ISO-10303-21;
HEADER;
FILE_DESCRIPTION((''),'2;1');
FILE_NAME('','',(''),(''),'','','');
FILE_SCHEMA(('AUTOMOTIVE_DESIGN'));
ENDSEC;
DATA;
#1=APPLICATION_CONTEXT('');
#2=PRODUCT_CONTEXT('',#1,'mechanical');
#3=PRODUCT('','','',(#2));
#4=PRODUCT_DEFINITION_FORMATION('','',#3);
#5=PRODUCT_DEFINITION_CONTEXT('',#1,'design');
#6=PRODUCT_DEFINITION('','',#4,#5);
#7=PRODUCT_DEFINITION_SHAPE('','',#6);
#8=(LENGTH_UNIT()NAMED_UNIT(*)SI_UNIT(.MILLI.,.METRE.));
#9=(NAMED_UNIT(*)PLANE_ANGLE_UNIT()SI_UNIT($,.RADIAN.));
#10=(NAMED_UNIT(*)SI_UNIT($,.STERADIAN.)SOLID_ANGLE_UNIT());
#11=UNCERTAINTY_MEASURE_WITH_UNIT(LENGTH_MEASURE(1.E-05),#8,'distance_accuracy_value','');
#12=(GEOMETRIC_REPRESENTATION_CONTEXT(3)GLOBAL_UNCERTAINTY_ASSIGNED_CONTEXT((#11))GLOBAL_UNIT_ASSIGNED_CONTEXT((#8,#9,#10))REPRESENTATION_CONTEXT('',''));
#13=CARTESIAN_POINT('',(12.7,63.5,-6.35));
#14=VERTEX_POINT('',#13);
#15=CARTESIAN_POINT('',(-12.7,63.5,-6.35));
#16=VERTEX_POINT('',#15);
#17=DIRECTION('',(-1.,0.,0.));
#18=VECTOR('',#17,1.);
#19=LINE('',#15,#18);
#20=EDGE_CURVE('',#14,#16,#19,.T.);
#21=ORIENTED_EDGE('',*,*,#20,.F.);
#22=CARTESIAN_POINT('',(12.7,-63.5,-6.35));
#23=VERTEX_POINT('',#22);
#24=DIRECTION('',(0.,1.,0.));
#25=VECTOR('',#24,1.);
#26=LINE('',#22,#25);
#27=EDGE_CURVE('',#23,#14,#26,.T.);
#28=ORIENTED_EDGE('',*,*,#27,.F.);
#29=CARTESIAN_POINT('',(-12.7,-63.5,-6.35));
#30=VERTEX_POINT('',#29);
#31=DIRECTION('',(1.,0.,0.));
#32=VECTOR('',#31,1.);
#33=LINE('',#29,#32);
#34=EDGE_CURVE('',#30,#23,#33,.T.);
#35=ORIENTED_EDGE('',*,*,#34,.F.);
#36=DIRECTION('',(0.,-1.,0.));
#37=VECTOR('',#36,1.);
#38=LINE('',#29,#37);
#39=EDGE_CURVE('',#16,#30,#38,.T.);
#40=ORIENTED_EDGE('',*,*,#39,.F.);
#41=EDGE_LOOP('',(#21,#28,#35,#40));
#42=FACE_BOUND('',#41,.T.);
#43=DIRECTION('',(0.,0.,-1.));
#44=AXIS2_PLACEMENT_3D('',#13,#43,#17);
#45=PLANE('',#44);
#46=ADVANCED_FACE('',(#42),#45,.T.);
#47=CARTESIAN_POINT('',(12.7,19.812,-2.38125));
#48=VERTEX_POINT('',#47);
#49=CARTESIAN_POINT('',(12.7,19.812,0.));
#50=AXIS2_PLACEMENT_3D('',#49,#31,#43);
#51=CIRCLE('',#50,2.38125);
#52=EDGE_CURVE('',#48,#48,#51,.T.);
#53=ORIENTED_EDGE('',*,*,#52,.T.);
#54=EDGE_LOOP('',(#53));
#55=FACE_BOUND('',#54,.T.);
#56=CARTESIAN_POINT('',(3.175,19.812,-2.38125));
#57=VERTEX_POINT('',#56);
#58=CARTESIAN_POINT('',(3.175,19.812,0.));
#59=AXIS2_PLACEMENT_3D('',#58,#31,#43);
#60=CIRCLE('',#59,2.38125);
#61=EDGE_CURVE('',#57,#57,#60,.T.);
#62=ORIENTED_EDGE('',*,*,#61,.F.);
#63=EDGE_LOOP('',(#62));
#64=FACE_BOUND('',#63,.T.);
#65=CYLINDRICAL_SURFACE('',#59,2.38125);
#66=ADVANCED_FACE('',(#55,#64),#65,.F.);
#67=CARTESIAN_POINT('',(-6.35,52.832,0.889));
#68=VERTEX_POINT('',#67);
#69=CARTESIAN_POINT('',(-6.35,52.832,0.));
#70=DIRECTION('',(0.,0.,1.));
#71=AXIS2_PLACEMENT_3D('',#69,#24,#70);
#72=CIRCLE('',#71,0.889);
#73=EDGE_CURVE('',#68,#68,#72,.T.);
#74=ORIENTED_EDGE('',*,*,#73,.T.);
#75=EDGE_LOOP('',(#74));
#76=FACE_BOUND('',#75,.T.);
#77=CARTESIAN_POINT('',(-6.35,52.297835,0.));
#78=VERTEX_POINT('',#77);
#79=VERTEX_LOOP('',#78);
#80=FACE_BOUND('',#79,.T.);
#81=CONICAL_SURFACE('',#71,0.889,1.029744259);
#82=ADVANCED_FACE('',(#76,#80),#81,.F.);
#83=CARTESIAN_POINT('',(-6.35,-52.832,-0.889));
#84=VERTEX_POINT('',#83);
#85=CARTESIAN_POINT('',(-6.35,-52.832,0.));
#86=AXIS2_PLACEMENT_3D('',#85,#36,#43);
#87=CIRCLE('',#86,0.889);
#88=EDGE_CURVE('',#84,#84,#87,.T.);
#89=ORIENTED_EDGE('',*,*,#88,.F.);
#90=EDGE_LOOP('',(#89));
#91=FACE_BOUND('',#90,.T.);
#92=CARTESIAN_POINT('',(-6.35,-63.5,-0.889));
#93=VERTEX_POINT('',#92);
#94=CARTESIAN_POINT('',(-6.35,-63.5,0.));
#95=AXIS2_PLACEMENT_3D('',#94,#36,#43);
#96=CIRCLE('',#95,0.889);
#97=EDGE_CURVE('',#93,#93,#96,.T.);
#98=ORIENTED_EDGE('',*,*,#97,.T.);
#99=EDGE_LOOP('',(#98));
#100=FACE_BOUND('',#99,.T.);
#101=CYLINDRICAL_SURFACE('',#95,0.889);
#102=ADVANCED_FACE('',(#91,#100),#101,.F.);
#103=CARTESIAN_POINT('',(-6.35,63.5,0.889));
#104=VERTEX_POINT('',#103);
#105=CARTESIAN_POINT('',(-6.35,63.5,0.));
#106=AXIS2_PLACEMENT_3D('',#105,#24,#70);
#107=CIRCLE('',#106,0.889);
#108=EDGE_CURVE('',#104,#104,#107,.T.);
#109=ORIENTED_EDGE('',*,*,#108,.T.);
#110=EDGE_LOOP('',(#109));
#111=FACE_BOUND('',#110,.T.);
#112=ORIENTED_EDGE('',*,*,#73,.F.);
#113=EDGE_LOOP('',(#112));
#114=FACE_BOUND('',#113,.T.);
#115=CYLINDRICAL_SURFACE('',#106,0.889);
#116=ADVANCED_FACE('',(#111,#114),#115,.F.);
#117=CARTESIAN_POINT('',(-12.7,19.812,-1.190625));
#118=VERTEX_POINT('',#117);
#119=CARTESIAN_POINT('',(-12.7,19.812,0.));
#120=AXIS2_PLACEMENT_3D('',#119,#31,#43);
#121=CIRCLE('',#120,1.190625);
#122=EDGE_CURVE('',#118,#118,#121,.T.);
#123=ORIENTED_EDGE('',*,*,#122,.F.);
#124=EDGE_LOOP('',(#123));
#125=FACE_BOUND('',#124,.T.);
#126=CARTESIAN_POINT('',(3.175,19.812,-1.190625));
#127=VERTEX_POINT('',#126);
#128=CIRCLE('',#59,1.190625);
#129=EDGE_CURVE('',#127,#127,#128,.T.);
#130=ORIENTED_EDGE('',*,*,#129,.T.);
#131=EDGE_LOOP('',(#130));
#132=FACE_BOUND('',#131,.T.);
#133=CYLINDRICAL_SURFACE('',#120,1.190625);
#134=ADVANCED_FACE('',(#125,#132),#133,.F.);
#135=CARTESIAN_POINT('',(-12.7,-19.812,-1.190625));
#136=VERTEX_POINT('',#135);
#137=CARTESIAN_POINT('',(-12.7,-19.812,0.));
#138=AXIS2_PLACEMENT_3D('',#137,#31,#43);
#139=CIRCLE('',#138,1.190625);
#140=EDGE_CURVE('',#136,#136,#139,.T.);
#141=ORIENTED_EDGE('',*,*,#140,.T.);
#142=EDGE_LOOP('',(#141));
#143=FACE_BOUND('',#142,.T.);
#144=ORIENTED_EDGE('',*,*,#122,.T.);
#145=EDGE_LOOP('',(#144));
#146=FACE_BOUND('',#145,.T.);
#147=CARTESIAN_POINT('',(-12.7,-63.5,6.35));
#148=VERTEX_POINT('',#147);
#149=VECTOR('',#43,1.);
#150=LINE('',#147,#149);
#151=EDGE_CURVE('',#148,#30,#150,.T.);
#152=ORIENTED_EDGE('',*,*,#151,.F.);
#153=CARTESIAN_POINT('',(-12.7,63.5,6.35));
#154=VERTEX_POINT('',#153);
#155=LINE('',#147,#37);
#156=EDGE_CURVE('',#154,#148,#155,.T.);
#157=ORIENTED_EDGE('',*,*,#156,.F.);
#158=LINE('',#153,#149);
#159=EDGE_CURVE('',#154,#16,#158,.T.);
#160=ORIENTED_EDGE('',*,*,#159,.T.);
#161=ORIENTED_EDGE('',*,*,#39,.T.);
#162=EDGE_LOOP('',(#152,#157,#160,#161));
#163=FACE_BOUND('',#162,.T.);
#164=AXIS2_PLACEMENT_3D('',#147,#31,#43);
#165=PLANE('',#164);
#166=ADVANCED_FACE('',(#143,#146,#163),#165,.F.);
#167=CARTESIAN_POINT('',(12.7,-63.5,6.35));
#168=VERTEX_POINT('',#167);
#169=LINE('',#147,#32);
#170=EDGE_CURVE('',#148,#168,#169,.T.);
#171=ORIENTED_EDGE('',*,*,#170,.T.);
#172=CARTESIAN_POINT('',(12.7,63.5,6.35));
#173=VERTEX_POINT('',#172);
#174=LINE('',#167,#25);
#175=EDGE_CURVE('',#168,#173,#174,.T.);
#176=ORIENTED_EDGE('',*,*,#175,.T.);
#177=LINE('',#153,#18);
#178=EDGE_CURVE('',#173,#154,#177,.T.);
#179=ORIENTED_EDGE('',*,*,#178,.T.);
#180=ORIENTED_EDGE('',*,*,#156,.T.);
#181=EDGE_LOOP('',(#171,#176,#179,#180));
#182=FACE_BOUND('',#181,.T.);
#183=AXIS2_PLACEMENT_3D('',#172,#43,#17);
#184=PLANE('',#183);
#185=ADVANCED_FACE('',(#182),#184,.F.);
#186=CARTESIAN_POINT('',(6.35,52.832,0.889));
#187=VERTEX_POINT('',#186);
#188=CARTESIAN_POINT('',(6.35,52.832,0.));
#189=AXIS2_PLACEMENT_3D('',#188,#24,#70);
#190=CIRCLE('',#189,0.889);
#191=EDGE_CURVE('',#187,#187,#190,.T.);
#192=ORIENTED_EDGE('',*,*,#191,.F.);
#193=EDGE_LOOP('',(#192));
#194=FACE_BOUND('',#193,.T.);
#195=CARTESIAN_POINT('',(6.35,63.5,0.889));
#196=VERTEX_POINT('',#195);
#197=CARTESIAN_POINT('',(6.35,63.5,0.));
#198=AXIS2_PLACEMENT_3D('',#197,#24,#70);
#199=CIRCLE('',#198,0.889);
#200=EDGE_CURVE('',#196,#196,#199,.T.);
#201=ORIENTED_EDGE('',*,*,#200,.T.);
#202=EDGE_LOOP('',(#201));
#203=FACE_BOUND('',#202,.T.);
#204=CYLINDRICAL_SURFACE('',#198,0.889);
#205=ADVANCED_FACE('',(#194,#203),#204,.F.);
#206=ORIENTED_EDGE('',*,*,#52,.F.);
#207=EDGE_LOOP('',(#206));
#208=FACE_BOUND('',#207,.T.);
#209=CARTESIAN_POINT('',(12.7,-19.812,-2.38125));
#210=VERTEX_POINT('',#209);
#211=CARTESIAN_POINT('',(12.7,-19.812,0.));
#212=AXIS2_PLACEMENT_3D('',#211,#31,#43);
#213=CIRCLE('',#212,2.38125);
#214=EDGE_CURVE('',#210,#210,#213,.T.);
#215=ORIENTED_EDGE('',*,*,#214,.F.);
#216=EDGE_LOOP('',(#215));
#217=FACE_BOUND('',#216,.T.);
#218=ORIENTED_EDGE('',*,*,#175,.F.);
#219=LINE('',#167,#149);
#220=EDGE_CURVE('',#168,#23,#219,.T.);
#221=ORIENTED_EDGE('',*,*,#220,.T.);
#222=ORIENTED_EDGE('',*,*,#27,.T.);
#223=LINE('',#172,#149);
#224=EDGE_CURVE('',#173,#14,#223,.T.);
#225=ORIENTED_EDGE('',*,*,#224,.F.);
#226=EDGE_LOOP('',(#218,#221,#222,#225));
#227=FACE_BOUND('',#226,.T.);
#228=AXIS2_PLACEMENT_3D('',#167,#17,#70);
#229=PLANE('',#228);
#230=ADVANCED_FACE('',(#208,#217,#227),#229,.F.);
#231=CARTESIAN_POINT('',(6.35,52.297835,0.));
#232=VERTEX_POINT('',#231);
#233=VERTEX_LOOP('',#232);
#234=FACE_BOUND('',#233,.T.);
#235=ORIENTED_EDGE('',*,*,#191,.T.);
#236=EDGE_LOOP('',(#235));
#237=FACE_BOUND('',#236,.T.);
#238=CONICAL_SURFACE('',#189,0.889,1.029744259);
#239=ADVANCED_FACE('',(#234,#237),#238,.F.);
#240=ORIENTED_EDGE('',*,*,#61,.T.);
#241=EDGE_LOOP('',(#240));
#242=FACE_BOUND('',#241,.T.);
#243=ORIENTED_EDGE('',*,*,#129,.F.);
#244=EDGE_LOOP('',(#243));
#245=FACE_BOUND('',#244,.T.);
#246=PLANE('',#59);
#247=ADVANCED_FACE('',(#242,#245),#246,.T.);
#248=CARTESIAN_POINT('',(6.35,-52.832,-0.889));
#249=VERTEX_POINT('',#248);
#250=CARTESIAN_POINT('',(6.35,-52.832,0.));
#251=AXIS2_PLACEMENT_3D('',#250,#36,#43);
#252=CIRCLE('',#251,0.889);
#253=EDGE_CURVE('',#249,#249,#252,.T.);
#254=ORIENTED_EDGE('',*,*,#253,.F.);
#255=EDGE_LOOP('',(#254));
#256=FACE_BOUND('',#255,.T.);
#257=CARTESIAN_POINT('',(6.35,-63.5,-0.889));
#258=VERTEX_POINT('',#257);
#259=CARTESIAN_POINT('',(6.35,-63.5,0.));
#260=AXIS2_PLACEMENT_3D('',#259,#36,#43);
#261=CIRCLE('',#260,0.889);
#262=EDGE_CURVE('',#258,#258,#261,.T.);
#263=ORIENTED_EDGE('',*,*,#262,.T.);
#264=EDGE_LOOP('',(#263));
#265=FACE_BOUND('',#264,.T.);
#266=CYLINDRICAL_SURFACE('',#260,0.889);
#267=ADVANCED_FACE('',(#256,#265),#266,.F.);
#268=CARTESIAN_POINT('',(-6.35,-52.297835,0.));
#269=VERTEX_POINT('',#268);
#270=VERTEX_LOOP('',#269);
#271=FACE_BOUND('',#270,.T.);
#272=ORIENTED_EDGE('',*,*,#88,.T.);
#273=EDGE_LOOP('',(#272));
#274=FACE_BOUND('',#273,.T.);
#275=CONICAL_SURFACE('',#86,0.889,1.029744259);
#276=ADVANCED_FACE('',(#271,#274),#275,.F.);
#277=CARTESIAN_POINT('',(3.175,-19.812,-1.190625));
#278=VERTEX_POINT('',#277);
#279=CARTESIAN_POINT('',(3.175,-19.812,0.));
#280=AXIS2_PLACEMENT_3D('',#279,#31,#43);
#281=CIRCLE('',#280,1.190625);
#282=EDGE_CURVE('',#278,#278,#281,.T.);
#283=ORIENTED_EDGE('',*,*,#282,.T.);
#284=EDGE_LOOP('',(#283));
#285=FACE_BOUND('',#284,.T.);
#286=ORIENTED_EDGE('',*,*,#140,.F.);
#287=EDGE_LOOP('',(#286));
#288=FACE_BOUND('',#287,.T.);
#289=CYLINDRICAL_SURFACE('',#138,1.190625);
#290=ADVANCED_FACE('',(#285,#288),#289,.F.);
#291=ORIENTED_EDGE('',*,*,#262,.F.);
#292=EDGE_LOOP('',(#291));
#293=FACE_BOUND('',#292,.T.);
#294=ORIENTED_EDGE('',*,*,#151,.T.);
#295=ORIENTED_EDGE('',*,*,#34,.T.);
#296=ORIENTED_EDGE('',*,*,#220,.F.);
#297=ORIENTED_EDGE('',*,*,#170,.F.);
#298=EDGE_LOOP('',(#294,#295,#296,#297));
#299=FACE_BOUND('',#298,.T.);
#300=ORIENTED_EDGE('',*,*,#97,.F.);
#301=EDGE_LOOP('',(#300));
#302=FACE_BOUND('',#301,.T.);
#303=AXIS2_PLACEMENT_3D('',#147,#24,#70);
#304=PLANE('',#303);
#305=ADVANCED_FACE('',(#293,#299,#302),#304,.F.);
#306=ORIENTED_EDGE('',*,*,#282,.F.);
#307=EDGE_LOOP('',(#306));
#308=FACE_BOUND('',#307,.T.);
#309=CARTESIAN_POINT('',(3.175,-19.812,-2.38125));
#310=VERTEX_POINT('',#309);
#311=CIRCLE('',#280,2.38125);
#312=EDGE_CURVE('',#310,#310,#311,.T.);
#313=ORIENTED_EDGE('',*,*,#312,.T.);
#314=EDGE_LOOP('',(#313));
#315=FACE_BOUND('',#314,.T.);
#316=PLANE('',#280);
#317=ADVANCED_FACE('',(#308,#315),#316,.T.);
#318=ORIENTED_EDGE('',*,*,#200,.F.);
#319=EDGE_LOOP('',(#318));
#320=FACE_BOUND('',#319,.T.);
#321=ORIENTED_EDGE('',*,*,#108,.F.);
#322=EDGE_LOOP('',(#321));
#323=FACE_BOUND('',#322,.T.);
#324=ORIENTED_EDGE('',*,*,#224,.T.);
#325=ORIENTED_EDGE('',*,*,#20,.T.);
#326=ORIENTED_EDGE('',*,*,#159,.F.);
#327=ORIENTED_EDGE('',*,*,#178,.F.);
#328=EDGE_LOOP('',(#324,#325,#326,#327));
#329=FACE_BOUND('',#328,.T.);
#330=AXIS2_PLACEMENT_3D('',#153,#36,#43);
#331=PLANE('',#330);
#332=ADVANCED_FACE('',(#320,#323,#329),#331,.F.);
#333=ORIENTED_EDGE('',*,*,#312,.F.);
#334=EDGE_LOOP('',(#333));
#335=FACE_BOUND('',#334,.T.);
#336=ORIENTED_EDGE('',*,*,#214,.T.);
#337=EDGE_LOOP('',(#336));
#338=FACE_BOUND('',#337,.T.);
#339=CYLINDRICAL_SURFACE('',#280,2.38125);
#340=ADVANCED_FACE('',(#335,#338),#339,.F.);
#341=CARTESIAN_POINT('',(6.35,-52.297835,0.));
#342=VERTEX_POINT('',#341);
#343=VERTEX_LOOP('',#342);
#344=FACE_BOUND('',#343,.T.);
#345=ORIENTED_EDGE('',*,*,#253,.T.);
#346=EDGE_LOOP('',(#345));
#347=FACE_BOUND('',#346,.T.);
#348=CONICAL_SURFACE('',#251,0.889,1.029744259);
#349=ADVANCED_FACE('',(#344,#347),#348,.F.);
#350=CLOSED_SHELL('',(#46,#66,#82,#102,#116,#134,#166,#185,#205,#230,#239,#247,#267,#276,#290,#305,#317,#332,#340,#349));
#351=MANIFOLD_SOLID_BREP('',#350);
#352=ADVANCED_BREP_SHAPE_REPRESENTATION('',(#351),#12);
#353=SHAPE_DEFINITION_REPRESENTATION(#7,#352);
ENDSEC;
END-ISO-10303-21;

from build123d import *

# Parameters (mm, degrees)
SKETCH2_W                 = 25.4
SKETCH2_H                 = 127
BOSS_EXTRUDE1_DEPTH       = 6.35
SKETCH3_R                 = 1.190625
CUT_EXTRUDE2_DEPTH        = 26.4
SKETCH3_4_R               = 2.38125
SKETCH3_4_R_2             = 1.190625
CUT_EXTRUDE3_DEPTH        = 9.525
F_2_56_TAPPED_HOLE1_D     = 1.778
F_2_56_TAPPED_HOLE1_DEPTH = 10.668
F_2_56_TAPPED_HOLE1_TIP   = 0.53416509
F_2_56_TAPPED_HOLE2_D     = 1.778
F_2_56_TAPPED_HOLE2_DEPTH = 10.668
F_2_56_TAPPED_HOLE2_TIP   = 0.53416509


with BuildPart() as part:
    # Sketch2 → Boss-Extrude1 (new body, symmetric)
    with BuildSketch(Plane.XY):
        Rectangle(SKETCH2_W, SKETCH2_H)
    extrude(amount=BOSS_EXTRUDE1_DEPTH, both=True)

    # Sketch3 → Cut-Extrude2 (cut, through all)
    with BuildSketch(Plane(origin=(12.7, 0, 0), x_dir=(0, 0, -1), z_dir=(1, 0, 0))):
        with Locations((0, 19.812)):
            Circle(SKETCH3_R)
        with Locations((0, -19.812)):
            Circle(SKETCH3_R)
    extrude(amount=-CUT_EXTRUDE2_DEPTH, mode=Mode.SUBTRACT)

    # Sketch3_4 → Cut-Extrude3 (cut)
    with BuildSketch(Plane(origin=(12.7, 0, 0), x_dir=(0, 0, -1), z_dir=(1, 0, 0))):
        with Locations((0, 19.812)):
            Circle(SKETCH3_4_R)
        with Locations((0, 19.812)):
            Circle(SKETCH3_4_R_2, mode=Mode.SUBTRACT)
        with Locations((0, -19.812)):
            Circle(SKETCH3_4_R)
        with Locations((0, -19.812)):
            Circle(SKETCH3_4_R_2, mode=Mode.SUBTRACT)
    extrude(amount=-CUT_EXTRUDE3_DEPTH, mode=Mode.SUBTRACT)

    # 2-56 Tapped Hole1
    with Locations(Plane(origin=(0, 63.5, 0), x_dir=(-1, 0, 0), z_dir=(0, 1, 0))):
        with Locations((6.35, 0), (-6.35, 0)):
            Hole(F_2_56_TAPPED_HOLE1_D / 2, depth=F_2_56_TAPPED_HOLE1_DEPTH)
            with Locations((0, 0, -(F_2_56_TAPPED_HOLE1_DEPTH + F_2_56_TAPPED_HOLE1_TIP / 2))):  # 118° drill point
                Cone(0, F_2_56_TAPPED_HOLE1_D / 2, F_2_56_TAPPED_HOLE1_TIP, mode=Mode.SUBTRACT)

    # 2-56 Tapped Hole2
    with Locations(Plane.XZ.offset(63.5)):
        with Locations((6.35, 0), (-6.35, 0)):
            Hole(F_2_56_TAPPED_HOLE2_D / 2, depth=F_2_56_TAPPED_HOLE2_DEPTH)
            with Locations((0, 0, -(F_2_56_TAPPED_HOLE2_DEPTH + F_2_56_TAPPED_HOLE2_TIP / 2))):  # 118° drill point
                Cone(0, F_2_56_TAPPED_HOLE2_D / 2, F_2_56_TAPPED_HOLE2_TIP, mode=Mode.SUBTRACT)


solid = part.part
